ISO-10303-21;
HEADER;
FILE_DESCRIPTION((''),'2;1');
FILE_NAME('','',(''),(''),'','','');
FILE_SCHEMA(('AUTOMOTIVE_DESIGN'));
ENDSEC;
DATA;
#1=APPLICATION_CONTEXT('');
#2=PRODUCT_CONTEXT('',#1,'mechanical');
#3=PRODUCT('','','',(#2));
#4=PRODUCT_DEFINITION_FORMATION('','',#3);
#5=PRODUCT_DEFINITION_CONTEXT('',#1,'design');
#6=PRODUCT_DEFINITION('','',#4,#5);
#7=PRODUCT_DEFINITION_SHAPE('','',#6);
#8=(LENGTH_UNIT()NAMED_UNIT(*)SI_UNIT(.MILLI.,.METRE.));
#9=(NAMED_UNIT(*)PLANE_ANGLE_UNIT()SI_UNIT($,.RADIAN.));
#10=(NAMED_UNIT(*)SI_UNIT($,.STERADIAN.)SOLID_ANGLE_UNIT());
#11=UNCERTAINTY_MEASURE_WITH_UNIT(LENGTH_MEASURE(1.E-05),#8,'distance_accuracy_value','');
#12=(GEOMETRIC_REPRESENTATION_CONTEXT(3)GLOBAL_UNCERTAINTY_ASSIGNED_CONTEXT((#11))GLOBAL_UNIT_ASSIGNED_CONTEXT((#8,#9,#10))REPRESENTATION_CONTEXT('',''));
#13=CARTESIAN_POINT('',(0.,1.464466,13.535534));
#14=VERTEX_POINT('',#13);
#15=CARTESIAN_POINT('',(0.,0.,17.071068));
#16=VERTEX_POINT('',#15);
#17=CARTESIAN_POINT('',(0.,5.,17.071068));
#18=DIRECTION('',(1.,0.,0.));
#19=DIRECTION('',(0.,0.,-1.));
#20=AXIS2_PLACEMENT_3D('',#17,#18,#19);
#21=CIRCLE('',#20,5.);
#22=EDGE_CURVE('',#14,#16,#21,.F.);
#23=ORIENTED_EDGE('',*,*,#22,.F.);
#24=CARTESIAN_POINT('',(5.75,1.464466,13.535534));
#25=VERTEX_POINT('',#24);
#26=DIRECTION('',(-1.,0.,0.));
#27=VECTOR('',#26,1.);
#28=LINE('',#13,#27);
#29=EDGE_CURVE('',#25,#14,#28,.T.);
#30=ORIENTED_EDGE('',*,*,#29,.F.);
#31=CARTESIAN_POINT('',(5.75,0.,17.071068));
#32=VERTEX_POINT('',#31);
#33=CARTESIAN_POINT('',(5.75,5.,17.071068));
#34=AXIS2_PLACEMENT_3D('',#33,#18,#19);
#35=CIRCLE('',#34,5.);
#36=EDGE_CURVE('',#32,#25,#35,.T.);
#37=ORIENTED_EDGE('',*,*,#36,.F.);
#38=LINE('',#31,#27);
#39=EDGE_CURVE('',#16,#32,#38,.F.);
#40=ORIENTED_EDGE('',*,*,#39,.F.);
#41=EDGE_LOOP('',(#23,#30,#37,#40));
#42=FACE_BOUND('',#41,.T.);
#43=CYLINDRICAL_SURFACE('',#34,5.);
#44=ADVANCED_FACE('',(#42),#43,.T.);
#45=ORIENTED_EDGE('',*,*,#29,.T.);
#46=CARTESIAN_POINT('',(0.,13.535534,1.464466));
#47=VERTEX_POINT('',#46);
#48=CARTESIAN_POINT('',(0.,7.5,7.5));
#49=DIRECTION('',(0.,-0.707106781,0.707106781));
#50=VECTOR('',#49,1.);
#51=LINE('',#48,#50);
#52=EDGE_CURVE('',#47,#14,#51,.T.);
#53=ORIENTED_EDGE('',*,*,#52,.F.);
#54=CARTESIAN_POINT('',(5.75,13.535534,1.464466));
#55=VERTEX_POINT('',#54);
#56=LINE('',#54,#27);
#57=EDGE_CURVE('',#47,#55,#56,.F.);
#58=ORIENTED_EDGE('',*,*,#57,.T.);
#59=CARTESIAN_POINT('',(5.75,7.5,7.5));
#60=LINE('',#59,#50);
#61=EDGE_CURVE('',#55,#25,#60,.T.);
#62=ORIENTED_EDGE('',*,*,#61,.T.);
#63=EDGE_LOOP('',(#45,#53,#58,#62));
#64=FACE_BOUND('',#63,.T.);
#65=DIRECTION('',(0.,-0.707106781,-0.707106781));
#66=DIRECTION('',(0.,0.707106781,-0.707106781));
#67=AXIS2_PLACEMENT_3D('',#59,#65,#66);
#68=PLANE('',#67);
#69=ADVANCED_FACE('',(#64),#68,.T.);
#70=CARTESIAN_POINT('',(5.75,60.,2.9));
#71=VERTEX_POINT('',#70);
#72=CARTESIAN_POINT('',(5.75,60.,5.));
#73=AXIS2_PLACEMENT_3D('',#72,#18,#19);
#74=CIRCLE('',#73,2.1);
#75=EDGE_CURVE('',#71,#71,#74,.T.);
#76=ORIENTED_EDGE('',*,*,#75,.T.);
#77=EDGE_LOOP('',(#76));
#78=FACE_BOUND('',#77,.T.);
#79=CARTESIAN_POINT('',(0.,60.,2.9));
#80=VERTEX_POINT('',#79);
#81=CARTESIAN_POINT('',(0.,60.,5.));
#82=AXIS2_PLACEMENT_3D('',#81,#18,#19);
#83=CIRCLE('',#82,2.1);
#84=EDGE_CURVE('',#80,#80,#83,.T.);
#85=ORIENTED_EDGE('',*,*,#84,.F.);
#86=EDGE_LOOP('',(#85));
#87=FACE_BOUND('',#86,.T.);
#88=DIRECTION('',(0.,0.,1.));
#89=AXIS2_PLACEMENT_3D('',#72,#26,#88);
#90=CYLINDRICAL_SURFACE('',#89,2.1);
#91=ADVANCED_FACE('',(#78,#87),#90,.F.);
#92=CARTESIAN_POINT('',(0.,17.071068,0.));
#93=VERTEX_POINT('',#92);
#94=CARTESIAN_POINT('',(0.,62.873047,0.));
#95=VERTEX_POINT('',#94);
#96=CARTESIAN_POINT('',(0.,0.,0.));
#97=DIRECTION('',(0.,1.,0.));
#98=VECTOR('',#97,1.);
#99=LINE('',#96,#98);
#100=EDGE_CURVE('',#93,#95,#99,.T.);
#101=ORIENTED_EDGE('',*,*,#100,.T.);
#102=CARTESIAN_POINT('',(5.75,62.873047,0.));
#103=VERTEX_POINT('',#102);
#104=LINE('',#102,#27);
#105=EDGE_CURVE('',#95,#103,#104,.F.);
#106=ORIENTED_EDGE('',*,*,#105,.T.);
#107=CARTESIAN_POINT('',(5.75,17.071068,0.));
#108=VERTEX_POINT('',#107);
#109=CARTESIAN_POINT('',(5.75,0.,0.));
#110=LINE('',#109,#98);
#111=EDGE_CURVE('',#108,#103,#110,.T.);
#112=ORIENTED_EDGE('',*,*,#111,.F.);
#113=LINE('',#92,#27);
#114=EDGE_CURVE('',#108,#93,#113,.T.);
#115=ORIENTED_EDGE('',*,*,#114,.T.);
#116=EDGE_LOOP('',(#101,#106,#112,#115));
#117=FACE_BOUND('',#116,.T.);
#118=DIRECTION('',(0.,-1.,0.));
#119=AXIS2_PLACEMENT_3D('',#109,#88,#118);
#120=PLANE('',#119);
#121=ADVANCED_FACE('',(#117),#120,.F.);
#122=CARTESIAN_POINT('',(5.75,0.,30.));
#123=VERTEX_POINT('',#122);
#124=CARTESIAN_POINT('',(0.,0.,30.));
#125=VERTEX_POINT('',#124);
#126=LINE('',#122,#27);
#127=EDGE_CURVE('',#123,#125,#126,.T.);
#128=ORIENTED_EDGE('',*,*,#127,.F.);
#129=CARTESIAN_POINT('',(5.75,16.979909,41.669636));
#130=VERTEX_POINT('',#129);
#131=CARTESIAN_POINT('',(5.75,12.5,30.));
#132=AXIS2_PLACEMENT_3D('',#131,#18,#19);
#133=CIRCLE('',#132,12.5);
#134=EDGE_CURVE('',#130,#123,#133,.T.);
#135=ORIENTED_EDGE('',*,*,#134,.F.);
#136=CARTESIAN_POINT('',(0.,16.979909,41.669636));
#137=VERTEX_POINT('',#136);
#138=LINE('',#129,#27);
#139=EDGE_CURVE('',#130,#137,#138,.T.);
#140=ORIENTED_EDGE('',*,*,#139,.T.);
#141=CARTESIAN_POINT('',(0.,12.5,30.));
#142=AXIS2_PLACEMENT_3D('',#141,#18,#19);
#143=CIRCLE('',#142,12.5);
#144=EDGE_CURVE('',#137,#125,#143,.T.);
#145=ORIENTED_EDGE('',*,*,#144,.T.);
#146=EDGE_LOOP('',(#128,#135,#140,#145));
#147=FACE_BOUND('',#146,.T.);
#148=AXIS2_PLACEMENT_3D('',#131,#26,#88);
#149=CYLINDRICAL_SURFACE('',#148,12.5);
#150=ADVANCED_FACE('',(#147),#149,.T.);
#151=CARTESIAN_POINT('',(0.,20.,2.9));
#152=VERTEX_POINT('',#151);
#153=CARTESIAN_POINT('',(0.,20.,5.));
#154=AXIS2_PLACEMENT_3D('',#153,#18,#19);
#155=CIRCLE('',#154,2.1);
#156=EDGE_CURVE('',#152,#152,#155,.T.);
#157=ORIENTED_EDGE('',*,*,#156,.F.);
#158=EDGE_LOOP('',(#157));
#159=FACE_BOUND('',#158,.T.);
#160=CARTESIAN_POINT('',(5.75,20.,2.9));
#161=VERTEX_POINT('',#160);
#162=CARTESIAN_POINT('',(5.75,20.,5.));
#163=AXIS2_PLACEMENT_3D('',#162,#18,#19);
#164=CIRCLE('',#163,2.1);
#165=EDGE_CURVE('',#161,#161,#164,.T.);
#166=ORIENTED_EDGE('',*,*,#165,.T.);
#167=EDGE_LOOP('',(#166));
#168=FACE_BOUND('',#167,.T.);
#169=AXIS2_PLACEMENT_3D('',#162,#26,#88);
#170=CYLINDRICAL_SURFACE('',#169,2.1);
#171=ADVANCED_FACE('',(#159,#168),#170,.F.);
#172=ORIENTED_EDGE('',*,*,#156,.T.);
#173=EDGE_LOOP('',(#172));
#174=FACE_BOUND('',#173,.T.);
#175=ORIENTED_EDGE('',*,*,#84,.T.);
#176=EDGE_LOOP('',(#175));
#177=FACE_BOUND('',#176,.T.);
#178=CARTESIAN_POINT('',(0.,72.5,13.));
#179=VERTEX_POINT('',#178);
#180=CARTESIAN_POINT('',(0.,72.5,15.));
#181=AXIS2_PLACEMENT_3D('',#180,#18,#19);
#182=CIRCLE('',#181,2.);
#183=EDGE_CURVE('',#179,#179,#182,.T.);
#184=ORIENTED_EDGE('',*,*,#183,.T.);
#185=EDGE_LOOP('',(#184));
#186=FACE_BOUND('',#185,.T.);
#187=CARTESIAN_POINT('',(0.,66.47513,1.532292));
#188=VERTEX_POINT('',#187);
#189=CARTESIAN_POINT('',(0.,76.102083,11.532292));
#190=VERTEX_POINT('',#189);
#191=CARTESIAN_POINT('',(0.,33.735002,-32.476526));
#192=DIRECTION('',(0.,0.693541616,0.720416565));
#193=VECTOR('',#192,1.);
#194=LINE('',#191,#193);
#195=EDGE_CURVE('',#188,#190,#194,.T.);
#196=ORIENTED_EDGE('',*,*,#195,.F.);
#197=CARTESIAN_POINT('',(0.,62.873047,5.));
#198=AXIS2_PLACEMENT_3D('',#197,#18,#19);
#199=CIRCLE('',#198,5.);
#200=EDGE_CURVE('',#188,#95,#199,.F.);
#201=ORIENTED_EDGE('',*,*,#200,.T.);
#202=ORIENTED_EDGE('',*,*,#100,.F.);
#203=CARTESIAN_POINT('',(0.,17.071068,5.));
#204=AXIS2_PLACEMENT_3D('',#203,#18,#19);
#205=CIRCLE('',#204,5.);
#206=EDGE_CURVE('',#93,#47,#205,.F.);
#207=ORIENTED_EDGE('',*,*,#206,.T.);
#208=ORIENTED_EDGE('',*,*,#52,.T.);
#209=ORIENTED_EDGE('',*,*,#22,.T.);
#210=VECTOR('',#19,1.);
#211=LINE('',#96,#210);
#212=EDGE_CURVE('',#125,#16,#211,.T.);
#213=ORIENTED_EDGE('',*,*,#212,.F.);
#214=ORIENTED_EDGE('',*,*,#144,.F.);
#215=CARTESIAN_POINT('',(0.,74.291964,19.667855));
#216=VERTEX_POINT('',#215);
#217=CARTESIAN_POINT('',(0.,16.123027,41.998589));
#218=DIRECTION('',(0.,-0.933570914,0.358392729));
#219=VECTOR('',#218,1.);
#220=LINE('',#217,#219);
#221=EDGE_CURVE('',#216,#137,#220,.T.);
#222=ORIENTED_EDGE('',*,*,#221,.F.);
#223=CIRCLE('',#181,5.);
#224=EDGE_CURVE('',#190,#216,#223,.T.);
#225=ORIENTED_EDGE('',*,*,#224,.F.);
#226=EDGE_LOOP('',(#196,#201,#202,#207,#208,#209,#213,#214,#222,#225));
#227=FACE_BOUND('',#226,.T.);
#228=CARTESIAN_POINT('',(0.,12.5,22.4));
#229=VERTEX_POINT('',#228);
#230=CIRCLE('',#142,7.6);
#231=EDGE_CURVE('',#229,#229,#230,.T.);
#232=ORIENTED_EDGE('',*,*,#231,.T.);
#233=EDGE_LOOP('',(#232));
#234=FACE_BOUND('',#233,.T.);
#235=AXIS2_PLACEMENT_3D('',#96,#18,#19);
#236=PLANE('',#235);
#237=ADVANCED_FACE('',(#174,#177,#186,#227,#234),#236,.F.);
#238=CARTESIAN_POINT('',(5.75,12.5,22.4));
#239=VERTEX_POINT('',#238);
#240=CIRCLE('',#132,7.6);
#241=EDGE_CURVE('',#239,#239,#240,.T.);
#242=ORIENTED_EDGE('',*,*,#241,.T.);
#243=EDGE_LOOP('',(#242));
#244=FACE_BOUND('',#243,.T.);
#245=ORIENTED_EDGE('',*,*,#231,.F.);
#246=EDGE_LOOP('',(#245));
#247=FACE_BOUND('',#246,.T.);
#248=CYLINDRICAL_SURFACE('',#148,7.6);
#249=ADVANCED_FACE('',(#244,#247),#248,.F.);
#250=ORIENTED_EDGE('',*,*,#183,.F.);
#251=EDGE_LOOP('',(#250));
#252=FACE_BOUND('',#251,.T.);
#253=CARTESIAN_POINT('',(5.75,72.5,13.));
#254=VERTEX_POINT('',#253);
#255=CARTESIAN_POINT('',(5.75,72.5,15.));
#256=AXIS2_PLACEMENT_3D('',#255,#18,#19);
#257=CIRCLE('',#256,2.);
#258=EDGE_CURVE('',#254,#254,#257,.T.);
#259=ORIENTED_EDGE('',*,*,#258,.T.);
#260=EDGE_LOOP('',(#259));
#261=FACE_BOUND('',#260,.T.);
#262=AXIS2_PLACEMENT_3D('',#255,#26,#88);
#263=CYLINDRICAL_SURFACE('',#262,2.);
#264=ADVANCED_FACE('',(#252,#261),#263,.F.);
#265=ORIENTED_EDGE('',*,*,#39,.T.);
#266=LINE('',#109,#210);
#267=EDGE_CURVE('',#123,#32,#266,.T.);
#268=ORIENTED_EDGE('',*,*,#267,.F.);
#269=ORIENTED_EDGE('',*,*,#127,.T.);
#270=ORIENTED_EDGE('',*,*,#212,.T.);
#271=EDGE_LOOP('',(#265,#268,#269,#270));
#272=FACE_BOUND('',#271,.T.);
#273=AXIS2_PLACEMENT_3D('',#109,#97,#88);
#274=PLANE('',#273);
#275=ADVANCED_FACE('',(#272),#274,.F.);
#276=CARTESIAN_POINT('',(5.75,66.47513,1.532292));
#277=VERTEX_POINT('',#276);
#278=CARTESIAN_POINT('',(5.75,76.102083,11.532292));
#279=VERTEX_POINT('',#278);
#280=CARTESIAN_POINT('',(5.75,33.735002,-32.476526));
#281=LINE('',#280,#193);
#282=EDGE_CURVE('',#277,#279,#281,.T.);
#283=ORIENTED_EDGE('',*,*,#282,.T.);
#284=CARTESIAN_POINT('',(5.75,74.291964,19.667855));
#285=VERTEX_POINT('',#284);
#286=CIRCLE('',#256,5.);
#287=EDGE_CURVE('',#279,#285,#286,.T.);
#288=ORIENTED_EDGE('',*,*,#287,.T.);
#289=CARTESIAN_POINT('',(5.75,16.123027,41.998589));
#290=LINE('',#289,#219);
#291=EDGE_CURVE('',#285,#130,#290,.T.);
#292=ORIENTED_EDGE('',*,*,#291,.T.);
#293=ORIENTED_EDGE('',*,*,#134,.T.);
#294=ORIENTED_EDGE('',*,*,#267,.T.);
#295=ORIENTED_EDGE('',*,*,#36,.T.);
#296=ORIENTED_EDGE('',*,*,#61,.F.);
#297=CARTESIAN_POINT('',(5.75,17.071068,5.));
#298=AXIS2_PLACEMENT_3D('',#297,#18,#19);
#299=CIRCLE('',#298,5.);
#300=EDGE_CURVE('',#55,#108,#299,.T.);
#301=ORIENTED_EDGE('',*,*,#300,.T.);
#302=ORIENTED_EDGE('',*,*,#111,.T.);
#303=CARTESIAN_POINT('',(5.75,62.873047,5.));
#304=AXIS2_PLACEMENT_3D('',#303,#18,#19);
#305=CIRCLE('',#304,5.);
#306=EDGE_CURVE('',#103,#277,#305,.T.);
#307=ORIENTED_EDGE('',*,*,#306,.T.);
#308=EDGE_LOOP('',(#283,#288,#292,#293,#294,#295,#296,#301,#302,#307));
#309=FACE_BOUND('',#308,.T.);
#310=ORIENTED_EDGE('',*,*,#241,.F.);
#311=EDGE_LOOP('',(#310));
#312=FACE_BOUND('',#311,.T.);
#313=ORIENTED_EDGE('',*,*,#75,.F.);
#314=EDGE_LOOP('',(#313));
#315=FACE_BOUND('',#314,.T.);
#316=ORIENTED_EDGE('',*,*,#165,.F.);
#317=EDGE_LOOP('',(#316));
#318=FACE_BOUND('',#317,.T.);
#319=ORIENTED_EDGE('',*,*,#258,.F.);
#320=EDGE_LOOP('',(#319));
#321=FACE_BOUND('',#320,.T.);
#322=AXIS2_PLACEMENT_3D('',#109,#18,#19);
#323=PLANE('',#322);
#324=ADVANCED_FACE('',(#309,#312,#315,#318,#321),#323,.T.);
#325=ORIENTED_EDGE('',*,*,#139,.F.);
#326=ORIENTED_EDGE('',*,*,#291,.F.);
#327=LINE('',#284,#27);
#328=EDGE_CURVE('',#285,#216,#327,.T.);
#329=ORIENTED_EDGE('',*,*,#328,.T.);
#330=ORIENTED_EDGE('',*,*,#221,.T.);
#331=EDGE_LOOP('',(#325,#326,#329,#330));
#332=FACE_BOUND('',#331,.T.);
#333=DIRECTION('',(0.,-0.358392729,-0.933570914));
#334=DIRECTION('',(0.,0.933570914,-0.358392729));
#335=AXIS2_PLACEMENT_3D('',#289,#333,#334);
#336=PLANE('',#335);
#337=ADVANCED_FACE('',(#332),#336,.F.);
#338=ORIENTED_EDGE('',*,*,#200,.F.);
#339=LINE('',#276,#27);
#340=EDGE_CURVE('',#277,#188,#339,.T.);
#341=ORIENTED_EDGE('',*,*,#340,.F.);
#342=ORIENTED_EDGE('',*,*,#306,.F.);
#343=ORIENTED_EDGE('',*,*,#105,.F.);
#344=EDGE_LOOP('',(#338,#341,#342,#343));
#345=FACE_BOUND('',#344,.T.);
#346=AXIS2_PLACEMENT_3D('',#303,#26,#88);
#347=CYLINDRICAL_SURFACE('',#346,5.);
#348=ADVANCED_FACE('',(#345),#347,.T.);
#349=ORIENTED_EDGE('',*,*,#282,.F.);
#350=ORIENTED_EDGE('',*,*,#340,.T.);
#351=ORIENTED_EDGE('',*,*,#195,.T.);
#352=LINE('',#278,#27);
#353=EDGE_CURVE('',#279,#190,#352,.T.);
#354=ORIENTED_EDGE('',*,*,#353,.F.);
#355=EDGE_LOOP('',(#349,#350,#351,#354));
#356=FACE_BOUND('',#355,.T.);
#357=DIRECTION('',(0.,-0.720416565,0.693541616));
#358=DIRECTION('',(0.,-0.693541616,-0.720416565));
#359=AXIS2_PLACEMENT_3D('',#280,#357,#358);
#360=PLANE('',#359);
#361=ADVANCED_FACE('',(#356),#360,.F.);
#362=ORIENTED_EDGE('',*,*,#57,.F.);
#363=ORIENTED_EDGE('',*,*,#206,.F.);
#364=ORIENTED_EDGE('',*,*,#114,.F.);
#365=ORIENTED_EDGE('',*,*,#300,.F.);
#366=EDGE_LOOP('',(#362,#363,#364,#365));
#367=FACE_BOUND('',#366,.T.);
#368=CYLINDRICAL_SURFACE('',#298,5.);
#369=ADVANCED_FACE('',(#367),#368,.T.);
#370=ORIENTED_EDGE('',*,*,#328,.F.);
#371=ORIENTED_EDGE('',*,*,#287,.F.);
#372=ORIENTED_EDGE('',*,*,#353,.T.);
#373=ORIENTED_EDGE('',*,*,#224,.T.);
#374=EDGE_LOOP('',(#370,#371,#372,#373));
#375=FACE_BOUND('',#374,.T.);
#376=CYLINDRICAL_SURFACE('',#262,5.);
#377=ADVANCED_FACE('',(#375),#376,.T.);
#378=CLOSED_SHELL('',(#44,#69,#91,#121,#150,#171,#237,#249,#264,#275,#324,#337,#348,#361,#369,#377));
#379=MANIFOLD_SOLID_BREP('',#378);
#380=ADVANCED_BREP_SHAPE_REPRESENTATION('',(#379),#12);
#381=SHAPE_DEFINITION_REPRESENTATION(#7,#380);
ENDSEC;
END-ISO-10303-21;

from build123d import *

# Parameters (mm, degrees)
SKETCH_1_R      = 7.6
SKETCH_1_R_2    = 2.1
SKETCH_1_R_3    = 2
EXTRUDE_1_DEPTH = 5.75
FILLET_1_R      = 5


with BuildPart() as part:
    # ｽｹｯﾁ1 → ﾎﾞｽ - 押し出し1 (new body)
    with BuildSketch(Plane(origin=(0, 0, 0), x_dir=(0, 0, -1), z_dir=(1, 0, 0))):
        with BuildLine():
            Line((-15, 0), (0, 15))
            Line((0, 15), (0, 65))
            Line((0, 65), (-11.532291921, 76.102082825))
            ThreePointArc((-11.532291921, 76.102082825), (-16.085919318, 77.380653566), (-19.667854572, 74.291963643))
            Line((-19.667854572, 74.291963643), (-41.669636429, 16.979909107))
            ThreePointArc((-41.669636429, 16.979909107), (-40.301671317, 5.420058752), (-30, 0))
            Line((-30, 0), (-15, 0))
        make_face()
        with Locations((-30, 12.5)):
            Circle(SKETCH_1_R, mode=Mode.SUBTRACT)
        with Locations((-5, 20)):
            Circle(SKETCH_1_R_2, mode=Mode.SUBTRACT)
        with Locations((-5, 60)):
            Circle(SKETCH_1_R_2, mode=Mode.SUBTRACT)
        with Locations((-15, 72.5)):
            Circle(SKETCH_1_R_3, mode=Mode.SUBTRACT)
    extrude(amount=EXTRUDE_1_DEPTH)

    # ﾌｨﾚｯﾄ1
    fillet_1_edges = [part.edges().sort_by_distance(p)[0] for p in [
        (2.875, 65, 0),
        (2.875, 15, 0),
        (2.875, 0, 15),
    ]]
    fillet(fillet_1_edges, radius=FILLET_1_R)


solid = part.part
